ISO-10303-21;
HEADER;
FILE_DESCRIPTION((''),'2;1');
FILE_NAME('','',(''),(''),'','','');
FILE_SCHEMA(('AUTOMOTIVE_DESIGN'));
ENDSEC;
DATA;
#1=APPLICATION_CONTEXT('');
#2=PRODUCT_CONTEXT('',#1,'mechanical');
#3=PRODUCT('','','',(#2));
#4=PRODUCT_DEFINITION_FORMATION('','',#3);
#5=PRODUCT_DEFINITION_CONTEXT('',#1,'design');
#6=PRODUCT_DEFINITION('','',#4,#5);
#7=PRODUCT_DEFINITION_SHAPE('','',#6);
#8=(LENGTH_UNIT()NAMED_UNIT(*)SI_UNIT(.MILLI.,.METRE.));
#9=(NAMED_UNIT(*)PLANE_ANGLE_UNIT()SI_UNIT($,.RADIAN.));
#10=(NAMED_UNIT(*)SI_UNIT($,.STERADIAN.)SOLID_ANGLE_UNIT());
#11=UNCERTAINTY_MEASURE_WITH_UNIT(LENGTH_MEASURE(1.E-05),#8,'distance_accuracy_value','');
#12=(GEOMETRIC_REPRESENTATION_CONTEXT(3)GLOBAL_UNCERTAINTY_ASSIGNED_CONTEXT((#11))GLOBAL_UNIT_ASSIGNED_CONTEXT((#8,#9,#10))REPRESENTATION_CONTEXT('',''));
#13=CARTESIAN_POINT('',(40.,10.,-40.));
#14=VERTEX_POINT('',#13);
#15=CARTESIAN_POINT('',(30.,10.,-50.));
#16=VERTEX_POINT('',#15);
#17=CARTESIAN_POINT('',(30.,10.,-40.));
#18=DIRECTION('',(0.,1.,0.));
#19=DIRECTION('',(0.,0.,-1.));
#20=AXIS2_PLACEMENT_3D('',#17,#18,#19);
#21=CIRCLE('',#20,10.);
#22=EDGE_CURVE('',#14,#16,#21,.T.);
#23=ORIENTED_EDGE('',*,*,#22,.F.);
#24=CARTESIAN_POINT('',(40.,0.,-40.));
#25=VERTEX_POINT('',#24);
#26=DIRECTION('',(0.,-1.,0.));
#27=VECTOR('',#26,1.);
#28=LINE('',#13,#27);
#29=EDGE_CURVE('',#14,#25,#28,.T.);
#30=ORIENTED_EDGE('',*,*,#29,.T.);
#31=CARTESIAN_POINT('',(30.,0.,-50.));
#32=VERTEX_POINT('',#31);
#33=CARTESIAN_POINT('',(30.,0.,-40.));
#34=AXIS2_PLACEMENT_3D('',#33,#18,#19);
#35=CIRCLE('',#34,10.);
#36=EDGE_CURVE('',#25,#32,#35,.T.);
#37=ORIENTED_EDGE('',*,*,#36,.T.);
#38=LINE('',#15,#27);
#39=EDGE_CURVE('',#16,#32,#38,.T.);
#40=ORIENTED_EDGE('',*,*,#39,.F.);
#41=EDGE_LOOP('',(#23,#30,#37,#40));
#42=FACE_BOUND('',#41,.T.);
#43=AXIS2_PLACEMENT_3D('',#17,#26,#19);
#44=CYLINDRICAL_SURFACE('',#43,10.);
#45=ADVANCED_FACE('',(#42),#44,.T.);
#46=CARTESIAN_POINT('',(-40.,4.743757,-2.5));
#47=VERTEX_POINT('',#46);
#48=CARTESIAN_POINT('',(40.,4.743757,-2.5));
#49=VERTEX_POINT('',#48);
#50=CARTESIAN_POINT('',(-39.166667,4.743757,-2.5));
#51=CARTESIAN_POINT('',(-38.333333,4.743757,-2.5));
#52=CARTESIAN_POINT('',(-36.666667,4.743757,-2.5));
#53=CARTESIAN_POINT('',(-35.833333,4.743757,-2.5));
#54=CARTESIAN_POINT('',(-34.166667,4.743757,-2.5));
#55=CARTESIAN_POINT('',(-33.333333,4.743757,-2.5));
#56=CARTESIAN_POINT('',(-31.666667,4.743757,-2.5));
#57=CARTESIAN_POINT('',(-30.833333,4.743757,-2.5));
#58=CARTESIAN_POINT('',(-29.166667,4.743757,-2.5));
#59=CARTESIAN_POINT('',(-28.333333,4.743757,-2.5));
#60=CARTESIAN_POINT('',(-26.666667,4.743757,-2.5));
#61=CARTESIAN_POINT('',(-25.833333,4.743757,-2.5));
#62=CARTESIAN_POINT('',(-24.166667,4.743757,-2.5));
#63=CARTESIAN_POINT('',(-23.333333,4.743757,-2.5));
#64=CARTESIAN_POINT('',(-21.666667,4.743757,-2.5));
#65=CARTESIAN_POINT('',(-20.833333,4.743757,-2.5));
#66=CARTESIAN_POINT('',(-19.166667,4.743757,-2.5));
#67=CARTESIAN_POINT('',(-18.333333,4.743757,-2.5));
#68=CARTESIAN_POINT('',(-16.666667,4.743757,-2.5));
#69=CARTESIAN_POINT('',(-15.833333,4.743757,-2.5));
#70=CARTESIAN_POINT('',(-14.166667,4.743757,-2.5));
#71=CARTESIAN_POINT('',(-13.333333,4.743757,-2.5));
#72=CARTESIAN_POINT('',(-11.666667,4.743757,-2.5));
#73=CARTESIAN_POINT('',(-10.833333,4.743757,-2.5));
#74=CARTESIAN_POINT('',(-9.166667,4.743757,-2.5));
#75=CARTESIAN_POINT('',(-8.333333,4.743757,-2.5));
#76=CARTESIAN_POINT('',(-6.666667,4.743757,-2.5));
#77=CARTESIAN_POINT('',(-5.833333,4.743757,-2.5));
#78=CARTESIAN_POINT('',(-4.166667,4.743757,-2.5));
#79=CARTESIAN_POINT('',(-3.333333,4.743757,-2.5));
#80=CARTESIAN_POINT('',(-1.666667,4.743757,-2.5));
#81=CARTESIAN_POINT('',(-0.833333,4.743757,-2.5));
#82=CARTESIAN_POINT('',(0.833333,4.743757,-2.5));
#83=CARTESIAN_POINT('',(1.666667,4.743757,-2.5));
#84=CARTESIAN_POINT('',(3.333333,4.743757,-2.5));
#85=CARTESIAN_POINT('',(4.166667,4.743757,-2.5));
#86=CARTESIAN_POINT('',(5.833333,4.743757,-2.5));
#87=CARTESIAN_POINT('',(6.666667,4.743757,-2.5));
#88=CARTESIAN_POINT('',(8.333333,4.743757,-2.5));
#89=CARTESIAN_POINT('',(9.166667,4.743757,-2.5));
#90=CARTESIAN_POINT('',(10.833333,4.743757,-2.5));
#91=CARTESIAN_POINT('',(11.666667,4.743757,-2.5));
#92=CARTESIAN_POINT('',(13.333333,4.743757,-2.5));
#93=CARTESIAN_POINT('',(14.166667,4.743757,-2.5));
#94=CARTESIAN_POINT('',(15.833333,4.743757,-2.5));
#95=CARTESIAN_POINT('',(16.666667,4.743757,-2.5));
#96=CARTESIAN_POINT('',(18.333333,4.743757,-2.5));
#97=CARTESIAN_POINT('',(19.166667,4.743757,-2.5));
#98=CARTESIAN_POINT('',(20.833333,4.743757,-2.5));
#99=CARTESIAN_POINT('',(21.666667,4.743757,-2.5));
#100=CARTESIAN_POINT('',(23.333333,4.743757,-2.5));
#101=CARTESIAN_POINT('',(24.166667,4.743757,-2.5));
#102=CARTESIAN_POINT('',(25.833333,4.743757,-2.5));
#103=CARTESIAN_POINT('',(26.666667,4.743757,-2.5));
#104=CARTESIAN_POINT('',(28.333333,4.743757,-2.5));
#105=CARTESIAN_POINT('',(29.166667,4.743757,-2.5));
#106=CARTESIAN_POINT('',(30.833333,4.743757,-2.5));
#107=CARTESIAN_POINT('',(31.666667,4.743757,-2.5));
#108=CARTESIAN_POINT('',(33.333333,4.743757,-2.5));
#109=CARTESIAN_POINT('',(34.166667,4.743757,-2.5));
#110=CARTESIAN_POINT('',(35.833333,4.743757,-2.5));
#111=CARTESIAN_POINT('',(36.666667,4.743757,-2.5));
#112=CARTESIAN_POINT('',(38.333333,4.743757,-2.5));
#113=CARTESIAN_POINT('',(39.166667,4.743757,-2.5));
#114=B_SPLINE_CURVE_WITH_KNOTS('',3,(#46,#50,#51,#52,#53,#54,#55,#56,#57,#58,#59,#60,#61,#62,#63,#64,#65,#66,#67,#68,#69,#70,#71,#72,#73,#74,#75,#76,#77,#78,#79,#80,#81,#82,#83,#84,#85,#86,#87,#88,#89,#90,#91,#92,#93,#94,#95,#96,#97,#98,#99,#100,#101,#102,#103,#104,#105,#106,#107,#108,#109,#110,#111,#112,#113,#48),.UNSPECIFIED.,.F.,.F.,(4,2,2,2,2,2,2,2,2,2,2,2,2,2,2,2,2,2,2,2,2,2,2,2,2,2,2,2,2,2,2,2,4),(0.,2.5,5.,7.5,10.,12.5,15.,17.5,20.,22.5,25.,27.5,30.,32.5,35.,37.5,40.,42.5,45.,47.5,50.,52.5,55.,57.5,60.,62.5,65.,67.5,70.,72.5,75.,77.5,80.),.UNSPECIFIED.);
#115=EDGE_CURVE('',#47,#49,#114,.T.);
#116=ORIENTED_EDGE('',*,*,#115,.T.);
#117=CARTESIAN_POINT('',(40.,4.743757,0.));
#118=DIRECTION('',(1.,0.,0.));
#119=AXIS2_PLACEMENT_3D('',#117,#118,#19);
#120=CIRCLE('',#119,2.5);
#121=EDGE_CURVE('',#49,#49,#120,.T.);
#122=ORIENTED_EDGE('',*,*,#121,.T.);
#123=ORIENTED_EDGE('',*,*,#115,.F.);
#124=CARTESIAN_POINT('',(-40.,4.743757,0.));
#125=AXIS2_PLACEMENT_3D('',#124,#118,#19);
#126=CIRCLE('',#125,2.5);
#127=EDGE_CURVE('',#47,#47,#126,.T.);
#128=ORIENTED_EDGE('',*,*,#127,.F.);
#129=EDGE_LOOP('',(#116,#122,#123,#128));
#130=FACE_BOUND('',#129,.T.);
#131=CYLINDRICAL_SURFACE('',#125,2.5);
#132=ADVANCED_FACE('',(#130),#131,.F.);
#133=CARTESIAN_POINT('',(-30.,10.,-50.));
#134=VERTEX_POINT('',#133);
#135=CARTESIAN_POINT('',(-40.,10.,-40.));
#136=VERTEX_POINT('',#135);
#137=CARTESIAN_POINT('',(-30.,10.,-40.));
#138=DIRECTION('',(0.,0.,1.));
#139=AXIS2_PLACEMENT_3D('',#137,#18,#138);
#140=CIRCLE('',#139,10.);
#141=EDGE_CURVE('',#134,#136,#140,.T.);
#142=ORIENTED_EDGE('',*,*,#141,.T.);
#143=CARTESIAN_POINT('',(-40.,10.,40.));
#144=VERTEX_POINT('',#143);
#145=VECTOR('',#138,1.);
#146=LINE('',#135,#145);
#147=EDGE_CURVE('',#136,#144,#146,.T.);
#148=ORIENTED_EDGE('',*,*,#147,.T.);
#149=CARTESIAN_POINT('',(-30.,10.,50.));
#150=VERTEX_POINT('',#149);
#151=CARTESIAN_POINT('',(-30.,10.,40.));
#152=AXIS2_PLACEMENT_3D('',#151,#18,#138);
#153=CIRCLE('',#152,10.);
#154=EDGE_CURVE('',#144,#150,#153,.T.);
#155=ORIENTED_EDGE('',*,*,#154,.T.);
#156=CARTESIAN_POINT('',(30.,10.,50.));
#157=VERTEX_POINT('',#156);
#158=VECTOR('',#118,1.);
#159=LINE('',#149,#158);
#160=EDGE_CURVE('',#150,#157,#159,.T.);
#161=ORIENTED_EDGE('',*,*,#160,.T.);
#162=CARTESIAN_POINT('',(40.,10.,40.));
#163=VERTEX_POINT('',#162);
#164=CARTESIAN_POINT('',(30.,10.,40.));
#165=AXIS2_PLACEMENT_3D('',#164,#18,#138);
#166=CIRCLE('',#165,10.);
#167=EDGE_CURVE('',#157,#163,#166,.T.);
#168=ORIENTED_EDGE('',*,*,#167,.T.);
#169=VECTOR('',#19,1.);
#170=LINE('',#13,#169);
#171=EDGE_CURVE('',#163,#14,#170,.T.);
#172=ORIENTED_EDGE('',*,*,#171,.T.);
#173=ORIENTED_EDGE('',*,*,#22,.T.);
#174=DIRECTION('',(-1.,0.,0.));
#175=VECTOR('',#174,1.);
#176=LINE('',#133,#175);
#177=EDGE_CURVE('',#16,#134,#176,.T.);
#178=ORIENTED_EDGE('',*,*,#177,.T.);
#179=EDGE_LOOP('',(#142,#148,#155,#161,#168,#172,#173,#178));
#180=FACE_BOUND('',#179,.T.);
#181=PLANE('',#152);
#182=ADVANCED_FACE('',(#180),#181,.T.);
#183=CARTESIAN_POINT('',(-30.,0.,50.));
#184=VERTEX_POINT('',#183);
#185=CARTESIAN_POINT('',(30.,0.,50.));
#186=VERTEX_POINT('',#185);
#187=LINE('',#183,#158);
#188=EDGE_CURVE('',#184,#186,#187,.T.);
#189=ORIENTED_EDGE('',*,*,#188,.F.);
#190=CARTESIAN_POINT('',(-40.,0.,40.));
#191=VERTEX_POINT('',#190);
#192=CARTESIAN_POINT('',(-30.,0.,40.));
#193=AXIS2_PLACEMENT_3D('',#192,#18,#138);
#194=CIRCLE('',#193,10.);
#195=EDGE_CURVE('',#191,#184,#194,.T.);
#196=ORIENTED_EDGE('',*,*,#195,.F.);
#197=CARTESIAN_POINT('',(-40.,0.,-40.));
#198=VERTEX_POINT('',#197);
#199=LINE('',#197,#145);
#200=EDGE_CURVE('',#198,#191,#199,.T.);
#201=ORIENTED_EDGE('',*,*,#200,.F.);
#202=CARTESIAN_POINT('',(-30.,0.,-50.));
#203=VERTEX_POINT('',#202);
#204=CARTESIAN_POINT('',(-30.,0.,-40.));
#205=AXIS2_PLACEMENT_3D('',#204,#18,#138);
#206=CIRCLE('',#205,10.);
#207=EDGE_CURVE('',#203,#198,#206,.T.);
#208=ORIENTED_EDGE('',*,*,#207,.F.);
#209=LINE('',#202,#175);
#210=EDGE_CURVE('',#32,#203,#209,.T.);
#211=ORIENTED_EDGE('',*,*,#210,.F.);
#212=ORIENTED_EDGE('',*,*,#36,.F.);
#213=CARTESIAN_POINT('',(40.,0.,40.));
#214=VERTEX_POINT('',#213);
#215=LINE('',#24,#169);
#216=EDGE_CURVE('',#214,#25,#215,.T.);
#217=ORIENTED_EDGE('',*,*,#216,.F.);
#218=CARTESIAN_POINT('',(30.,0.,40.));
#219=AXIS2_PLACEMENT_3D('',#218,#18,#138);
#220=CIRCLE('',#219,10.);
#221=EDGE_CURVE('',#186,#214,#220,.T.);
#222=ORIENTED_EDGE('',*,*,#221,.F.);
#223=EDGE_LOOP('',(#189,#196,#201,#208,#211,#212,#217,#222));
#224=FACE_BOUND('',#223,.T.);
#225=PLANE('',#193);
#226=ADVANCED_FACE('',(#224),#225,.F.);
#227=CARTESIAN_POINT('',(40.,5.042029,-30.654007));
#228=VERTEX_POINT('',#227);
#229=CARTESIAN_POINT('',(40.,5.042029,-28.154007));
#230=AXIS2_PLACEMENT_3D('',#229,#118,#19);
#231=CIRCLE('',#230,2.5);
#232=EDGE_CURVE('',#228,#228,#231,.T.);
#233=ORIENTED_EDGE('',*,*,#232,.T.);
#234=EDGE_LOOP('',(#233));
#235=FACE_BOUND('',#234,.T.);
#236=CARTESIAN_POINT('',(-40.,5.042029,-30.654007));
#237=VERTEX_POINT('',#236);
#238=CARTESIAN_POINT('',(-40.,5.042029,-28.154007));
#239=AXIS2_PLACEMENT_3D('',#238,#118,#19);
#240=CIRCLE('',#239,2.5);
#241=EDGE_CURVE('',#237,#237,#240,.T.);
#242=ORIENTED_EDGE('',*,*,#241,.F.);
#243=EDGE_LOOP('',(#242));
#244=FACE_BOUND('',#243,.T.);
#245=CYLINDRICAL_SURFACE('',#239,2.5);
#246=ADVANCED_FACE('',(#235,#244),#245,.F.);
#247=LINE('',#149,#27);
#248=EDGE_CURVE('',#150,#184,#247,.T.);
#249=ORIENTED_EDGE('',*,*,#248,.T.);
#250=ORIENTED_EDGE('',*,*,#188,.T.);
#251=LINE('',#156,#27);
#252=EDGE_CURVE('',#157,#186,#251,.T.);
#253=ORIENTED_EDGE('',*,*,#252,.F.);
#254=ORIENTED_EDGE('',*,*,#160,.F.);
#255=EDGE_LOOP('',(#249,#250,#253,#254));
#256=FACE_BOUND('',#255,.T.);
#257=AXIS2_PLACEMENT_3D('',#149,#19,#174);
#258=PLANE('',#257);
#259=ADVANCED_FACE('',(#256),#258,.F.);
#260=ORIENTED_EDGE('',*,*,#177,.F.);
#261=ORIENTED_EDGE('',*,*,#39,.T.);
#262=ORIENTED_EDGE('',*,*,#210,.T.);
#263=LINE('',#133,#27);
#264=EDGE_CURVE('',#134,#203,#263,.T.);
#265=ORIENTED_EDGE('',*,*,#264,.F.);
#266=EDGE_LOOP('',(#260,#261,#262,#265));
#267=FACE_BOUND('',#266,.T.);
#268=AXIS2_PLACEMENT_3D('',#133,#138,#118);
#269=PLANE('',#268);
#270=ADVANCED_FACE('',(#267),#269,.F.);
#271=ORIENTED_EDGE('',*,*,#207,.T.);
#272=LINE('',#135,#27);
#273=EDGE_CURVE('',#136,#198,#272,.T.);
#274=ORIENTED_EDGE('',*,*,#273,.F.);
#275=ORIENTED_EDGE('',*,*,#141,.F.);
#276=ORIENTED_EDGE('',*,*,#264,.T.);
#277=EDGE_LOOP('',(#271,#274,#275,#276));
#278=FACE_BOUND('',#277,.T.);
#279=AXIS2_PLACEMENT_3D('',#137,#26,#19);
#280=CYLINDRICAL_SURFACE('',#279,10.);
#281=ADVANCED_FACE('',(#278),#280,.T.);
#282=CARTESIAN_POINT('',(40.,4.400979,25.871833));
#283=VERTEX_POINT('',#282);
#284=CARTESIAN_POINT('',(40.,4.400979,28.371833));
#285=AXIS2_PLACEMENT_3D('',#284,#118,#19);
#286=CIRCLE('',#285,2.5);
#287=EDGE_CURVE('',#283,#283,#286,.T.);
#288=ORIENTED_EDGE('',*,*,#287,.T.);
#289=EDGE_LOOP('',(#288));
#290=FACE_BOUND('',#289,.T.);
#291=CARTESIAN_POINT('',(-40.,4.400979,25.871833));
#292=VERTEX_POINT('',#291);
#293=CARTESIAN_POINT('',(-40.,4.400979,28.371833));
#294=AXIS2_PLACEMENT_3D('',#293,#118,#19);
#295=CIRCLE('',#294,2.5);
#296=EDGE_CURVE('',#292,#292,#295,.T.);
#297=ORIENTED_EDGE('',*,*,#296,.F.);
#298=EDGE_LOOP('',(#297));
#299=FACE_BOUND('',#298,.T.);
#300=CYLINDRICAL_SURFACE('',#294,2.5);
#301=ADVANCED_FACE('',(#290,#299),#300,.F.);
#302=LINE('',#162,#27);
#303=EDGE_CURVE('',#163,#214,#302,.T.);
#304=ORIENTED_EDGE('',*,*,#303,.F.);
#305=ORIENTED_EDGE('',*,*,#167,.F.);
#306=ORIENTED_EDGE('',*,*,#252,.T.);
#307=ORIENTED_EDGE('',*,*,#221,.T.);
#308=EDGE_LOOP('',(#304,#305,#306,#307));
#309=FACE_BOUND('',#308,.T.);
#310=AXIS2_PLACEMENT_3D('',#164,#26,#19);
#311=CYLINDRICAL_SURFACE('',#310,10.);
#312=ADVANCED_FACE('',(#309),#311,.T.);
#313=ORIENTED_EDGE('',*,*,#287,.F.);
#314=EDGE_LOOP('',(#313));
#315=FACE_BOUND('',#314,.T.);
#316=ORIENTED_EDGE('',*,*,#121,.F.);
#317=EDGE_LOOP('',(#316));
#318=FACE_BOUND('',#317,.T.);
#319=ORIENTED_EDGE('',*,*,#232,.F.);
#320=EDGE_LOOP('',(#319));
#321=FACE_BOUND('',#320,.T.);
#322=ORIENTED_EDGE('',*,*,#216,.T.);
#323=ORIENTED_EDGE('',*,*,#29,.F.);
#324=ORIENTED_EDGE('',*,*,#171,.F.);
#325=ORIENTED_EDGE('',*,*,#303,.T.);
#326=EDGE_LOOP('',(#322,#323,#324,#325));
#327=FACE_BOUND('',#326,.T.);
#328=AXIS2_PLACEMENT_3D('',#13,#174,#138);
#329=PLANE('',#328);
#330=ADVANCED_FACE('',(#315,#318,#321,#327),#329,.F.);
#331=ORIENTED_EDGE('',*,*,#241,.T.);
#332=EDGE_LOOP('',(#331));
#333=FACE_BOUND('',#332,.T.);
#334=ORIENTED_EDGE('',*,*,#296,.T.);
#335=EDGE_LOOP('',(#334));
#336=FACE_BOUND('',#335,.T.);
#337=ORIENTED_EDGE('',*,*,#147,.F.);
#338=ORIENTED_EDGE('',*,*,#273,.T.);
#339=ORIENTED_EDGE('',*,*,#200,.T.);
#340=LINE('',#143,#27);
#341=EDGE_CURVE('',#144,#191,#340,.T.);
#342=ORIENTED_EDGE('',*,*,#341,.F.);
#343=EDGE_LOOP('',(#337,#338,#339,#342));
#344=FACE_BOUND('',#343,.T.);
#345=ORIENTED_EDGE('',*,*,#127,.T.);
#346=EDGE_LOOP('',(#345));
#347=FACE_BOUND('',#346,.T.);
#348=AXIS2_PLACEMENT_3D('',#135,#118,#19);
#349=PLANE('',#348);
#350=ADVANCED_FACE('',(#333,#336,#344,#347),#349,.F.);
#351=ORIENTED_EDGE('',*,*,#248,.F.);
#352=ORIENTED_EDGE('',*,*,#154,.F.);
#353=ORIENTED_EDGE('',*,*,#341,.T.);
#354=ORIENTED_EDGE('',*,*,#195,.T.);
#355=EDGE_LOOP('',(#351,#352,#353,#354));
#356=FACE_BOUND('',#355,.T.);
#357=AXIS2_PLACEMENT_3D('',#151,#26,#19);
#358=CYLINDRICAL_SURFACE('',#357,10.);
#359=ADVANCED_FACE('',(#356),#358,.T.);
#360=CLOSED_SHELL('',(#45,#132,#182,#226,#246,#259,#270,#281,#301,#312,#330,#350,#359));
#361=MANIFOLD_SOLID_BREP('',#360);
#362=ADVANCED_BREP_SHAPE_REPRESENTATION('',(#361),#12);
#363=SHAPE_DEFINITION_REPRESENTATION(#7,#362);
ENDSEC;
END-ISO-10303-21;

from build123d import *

# Parameters (mm, degrees)
BOSS_EXTRUDE1_DEPTH = 10
SKETCH2_R           = 2.5
CUT_EXTRUDE1_DEPTH  = 95.868329805
SKETCH4_R           = 2.5
CUT_EXTRUDE2_DEPTH  = 95.868329805
SKETCH5_R           = 2.5
CUT_EXTRUDE3_DEPTH  = 95.868329805


with BuildPart() as part:
    # Sketch1 → Boss-Extrude1 (new body)
    with BuildSketch(Plane(origin=(0, 0, 0), x_dir=(1, 0, 0), z_dir=(0, 1, 0))):
        with BuildLine():
            Line((-30, 50), (30, 50))
            ThreePointArc((30, 50), (37.071067812, 47.071067812), (40, 40))
            Line((40, 40), (40, -40))
            ThreePointArc((40, -40), (37.071067812, -47.071067812), (30, -50))
            Line((30, -50), (-30, -50))
            ThreePointArc((-30, -50), (-37.071067812, -47.071067812), (-40, -40))
            Line((-40, -40), (-40, 40))
            ThreePointArc((-40, 40), (-37.071067812, 47.071067812), (-30, 50))
        make_face()
    extrude(amount=BOSS_EXTRUDE1_DEPTH)

    # Sketch2 → Cut-Extrude1 (cut, through all)
    with BuildSketch(Plane(origin=(40, 0, 0), x_dir=(0, 0, -1), z_dir=(1, 0, 0))):
        with Locations((0, 4.743756571)):
            Circle(SKETCH2_R)
    extrude(amount=-CUT_EXTRUDE1_DEPTH, mode=Mode.SUBTRACT)

    # Sketch4 → Cut-Extrude2 (cut, through all)
    with BuildSketch(Plane(origin=(40, 0, 0), x_dir=(0, 0, -1), z_dir=(1, 0, 0))):
        with Locations((-28.371833373, 4.400978566)):
            Circle(SKETCH4_R)
    extrude(amount=-CUT_EXTRUDE2_DEPTH, mode=Mode.SUBTRACT)

    # Sketch5 → Cut-Extrude3 (cut, through all)
    with BuildSketch(Plane(origin=(40, 0, 0), x_dir=(0, 0, -1), z_dir=(1, 0, 0))):
        with Locations((28.154007397, 5.042029154)):
            Circle(SKETCH5_R)
    extrude(amount=-CUT_EXTRUDE3_DEPTH, mode=Mode.SUBTRACT)


solid = part.part
